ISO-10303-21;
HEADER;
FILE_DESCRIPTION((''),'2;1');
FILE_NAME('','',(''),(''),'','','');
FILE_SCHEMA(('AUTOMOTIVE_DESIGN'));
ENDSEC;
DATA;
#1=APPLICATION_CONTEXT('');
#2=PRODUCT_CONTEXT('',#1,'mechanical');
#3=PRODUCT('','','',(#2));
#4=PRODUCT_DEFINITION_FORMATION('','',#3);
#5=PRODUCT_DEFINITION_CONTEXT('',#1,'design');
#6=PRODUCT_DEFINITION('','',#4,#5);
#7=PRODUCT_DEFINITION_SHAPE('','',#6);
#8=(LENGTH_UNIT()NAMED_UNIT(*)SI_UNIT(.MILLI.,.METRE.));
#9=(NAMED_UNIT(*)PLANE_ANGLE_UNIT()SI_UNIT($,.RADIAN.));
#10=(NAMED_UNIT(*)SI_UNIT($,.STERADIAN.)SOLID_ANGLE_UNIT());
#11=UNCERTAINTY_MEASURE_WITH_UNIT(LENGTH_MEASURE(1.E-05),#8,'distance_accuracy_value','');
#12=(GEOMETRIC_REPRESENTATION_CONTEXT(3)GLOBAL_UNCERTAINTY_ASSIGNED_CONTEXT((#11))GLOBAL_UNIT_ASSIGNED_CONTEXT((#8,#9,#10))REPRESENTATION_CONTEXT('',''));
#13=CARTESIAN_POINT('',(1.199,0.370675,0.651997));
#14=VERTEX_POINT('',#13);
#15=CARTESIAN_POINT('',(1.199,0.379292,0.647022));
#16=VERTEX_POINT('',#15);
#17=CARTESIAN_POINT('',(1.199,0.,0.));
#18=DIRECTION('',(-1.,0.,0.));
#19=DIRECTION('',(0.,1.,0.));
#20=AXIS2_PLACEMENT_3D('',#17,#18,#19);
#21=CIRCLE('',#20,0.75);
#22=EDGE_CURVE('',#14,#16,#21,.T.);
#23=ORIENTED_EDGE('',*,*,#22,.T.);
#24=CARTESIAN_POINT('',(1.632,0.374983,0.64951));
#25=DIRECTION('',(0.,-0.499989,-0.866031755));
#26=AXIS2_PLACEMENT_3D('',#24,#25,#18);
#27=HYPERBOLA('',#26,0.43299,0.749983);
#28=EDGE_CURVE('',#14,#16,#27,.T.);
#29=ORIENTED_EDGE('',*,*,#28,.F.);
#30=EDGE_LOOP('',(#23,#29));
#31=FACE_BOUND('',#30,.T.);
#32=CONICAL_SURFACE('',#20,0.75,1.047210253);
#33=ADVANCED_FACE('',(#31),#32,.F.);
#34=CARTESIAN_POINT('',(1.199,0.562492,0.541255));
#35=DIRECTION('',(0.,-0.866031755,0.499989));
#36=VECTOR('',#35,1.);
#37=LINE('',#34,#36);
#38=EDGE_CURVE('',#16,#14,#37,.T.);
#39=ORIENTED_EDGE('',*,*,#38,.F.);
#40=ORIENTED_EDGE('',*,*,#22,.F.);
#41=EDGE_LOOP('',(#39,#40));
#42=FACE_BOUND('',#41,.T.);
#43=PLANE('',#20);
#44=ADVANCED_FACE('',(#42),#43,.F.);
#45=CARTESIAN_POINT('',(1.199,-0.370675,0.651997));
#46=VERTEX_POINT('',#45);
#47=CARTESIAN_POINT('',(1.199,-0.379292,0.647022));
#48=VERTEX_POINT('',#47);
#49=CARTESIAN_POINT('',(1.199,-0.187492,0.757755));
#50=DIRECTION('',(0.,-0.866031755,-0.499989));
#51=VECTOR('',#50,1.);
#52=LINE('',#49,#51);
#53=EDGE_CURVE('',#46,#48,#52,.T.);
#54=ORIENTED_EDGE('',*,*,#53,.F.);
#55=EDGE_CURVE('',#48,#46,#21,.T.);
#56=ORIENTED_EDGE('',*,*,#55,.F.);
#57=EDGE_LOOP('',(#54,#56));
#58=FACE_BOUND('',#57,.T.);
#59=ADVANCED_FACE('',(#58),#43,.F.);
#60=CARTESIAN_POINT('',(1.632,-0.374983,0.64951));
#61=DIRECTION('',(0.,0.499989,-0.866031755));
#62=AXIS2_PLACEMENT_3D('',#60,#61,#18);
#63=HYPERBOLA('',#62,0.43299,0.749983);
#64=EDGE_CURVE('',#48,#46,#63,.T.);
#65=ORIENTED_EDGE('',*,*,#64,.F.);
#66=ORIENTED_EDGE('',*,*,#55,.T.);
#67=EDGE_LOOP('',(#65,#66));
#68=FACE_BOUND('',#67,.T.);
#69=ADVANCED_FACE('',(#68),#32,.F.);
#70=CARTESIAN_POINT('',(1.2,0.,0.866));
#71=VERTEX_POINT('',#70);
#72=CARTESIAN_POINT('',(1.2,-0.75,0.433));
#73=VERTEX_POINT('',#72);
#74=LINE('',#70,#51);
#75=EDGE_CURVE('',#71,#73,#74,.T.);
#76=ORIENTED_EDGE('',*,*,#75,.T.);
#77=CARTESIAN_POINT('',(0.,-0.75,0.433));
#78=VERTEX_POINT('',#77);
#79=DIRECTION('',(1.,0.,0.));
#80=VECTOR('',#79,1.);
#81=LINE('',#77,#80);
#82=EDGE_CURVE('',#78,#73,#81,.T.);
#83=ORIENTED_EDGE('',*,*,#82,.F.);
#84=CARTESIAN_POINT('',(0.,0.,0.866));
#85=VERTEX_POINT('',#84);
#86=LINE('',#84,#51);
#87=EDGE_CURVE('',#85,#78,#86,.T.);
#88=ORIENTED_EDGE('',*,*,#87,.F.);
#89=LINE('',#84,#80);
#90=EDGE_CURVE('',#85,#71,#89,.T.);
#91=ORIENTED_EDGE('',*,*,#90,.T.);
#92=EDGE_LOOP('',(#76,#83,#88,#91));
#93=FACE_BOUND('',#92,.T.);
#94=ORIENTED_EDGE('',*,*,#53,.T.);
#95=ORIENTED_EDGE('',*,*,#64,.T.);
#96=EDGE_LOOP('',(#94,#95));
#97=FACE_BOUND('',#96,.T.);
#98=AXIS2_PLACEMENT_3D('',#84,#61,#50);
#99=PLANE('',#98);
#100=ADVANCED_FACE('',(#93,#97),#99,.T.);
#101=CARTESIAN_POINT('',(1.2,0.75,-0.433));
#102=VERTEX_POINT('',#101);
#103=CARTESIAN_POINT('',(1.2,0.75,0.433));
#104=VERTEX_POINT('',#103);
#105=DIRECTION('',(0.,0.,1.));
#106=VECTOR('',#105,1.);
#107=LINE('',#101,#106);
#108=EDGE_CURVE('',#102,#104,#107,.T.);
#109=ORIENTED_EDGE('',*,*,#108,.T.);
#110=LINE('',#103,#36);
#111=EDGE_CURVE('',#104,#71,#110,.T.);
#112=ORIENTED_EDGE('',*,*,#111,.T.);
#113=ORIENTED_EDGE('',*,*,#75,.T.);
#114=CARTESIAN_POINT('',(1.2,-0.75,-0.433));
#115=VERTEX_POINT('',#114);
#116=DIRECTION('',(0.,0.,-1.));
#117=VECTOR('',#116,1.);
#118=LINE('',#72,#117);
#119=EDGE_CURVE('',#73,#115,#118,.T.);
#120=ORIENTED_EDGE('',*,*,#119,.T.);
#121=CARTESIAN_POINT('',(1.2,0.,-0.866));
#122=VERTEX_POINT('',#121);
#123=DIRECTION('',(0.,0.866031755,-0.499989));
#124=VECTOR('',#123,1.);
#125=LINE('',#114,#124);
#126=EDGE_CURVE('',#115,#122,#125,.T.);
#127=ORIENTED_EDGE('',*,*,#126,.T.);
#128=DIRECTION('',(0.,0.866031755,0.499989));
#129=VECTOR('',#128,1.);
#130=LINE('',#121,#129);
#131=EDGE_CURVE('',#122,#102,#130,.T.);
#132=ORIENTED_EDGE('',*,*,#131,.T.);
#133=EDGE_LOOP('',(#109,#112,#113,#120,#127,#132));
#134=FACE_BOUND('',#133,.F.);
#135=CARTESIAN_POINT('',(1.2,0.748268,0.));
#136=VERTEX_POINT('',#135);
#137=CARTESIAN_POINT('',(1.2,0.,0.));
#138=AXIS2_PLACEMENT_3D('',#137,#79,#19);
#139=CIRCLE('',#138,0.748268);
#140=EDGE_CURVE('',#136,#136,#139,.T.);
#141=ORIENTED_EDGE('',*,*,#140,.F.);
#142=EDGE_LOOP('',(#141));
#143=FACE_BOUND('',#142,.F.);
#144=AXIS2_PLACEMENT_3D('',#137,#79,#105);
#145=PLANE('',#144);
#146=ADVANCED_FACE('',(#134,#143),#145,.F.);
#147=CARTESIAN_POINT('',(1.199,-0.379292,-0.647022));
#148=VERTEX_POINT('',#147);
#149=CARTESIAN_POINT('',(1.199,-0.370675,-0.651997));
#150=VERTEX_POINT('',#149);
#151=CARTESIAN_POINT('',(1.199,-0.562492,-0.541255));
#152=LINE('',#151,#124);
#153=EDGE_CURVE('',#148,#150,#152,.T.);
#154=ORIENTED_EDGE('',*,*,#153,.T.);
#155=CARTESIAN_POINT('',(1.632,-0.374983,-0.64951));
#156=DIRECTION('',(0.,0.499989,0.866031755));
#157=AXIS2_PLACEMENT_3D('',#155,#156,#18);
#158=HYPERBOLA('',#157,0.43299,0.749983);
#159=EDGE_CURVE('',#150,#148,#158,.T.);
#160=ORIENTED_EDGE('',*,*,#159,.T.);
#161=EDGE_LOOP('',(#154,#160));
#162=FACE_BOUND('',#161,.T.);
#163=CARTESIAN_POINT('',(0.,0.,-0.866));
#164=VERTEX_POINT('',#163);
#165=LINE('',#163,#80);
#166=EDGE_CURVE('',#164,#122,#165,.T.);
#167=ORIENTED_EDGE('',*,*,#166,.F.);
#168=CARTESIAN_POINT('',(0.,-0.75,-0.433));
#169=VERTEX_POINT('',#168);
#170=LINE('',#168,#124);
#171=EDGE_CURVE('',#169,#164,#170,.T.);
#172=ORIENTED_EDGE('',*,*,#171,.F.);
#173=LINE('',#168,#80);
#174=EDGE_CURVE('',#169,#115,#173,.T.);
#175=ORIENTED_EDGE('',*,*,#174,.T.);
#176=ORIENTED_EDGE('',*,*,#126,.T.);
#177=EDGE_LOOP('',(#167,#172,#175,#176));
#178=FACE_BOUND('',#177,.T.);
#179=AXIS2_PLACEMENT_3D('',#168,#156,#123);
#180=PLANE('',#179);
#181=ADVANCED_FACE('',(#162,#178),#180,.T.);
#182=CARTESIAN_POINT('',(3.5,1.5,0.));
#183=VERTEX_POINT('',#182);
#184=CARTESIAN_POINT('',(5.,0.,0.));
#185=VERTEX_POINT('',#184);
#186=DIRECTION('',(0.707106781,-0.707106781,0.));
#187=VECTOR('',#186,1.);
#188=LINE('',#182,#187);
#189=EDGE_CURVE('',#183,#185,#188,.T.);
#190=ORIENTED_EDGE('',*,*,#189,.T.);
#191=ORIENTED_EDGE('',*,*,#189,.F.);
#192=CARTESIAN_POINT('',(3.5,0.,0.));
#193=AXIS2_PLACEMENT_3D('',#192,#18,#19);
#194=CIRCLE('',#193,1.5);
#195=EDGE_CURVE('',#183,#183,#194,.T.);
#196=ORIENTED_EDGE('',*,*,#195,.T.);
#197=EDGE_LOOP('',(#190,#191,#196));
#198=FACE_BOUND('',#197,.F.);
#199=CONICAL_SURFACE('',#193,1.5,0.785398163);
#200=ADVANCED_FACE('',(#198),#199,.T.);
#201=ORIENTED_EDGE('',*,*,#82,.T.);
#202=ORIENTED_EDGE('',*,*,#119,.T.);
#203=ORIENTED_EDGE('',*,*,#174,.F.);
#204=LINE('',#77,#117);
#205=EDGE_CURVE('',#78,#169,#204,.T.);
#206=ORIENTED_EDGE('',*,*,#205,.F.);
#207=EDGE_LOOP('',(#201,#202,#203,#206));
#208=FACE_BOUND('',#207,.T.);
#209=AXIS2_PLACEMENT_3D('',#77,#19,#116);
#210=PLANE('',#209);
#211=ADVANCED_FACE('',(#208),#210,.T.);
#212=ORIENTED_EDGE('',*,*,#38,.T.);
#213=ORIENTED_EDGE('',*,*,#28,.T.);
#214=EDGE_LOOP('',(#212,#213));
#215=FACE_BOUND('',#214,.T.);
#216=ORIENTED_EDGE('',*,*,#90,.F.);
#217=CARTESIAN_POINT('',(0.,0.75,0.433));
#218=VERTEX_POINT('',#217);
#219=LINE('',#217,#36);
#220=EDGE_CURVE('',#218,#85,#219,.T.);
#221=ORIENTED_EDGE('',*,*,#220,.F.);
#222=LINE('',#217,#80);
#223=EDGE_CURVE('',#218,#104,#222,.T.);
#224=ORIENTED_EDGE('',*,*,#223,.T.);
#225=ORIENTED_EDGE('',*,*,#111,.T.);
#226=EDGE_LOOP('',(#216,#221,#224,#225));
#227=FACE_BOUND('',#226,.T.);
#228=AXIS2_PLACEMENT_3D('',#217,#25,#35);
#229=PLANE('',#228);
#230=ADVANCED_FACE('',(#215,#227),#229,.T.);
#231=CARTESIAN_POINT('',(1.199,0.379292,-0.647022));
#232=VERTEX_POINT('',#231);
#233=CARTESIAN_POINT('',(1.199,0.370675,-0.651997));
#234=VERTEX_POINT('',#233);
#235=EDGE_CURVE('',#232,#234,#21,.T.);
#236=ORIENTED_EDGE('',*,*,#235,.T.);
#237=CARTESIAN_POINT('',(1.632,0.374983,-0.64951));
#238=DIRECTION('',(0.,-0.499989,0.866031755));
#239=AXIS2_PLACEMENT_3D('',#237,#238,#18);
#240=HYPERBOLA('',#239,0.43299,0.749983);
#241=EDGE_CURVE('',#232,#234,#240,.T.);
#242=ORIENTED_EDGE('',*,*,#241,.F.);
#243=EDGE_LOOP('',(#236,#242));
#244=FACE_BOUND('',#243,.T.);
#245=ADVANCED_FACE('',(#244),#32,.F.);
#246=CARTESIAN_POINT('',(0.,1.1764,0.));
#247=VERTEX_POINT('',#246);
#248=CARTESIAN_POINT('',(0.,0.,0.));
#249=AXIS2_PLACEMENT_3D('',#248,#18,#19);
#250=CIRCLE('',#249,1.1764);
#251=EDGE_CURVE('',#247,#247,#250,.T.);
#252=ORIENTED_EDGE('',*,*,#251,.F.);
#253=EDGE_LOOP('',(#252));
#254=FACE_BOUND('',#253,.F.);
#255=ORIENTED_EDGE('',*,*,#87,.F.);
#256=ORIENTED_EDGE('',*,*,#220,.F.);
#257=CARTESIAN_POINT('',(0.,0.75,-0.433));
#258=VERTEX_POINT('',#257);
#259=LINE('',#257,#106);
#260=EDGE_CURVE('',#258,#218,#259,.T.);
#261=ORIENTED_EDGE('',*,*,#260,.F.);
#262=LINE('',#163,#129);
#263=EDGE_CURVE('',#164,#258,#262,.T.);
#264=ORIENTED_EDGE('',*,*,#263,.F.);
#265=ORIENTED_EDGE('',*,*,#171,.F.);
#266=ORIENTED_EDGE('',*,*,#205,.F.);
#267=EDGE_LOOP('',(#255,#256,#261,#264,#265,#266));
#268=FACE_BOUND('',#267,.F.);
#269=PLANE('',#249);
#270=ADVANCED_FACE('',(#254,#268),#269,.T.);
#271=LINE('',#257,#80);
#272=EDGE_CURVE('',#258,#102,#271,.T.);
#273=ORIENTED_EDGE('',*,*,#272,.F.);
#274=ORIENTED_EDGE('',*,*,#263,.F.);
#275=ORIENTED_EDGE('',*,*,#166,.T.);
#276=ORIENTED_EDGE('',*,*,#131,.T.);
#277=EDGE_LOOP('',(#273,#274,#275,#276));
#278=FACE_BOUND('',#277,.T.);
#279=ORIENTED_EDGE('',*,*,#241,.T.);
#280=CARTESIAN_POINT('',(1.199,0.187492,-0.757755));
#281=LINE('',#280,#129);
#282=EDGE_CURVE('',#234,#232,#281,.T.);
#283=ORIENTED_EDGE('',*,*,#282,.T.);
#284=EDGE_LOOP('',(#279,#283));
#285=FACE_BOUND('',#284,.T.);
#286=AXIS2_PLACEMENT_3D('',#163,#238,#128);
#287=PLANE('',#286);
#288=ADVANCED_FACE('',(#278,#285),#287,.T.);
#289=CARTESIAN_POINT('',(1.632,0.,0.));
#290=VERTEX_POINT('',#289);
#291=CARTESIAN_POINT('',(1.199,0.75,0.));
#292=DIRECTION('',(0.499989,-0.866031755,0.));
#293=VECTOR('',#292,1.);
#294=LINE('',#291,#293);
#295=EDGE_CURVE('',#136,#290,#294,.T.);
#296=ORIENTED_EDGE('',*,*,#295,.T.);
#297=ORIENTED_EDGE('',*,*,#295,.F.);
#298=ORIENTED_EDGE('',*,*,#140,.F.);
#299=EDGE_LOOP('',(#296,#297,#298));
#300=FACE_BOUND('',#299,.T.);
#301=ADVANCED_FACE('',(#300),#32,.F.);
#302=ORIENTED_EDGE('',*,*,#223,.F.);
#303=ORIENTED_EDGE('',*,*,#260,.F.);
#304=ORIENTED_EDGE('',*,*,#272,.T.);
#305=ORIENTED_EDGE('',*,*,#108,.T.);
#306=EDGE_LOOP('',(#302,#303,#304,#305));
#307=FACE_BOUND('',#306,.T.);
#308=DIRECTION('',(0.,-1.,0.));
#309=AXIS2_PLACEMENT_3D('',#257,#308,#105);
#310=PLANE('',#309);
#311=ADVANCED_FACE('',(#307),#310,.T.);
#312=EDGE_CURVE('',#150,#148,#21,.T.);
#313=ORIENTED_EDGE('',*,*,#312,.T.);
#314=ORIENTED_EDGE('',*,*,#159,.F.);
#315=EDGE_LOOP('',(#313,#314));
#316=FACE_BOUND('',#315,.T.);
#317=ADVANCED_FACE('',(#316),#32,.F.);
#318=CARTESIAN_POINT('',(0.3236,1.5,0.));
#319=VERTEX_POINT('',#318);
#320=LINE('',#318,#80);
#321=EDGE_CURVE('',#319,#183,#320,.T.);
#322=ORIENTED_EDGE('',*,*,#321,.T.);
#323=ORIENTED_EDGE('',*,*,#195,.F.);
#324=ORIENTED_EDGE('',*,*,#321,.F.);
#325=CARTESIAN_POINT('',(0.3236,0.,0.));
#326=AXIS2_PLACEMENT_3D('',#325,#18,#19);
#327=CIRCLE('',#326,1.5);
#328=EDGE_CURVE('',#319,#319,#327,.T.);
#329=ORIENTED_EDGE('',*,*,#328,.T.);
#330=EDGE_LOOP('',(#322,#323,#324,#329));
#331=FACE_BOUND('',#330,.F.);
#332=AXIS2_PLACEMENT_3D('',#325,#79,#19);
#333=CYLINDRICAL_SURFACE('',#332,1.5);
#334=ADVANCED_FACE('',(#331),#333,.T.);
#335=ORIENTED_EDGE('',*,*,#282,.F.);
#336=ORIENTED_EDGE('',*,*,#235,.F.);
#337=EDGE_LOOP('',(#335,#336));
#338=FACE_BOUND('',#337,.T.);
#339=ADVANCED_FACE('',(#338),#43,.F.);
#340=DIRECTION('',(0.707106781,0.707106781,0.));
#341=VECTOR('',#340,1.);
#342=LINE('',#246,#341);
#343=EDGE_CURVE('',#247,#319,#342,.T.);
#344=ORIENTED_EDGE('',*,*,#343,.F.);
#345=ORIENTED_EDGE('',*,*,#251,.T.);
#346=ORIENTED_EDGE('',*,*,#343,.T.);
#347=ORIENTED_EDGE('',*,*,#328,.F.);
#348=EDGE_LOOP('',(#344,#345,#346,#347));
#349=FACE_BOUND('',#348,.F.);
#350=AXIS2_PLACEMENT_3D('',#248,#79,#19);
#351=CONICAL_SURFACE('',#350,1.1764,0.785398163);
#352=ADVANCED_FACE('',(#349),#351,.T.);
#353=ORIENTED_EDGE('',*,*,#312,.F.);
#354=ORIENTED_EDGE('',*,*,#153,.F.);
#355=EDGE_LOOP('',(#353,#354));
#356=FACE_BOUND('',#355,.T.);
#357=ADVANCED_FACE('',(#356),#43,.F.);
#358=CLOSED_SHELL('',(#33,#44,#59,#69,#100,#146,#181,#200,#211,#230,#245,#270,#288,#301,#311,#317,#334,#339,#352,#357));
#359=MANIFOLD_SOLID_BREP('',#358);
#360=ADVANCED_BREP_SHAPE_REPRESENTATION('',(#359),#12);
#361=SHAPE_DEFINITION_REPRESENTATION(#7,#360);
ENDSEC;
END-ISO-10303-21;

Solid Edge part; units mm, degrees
sketch "Sketch1" plane through (0, 0, 0) normal (0, 0, 1) x (1, 0, 0)
  line L0 (0, 0) -> (0, 1.1764)
  line L1 (0, 1.1764) -> (0.3236, 1.5)
  line L2 (0.3236, 1.5) -> (3.5, 1.5)
  line L3 (3.5, 1.5) -> (5, 0)
  line L4 (5, 0) -> (0, 0)
revolve "RevolvedProtrusion1" add sketch "Sketch1" angle 360 about axis through (5, 0, 0) along (-1, 0, 0)
cosmetic_thread "Thread1" size "M3"
sketch "Sketch2" plane through (0, 0, 0) normal (1, 0, 0) x (0, 1, 0)
  line L0 (0, 0.866) -> (-0.75, 0.433)
  line L1 (-0.75, 0.433) -> (-0.75, -0.433)
  line L2 (-0.75, -0.433) -> (0, -0.866)
  line L3 (0, -0.866) -> (0.75, -0.433)
  line L4 (0.75, -0.433) -> (0.75, 0.433)
  line L5 (0.75, 0.433) -> (0, 0.866)
extrude "Cutout1" cut sketch "Sketch2" along normal blind 1.2
sketch "Sketch3" plane through (0, 0, 0) normal (0, 0, 1) x (1, 0, 0)
  line L0 (1.199, 0) -> (1.199, 0.75)
  line L1 (1.199, 0.75) -> (1.632, 0)
  line L2 (1.632, 0) -> (1.199, 0)
revolve "RevolvedCutout1" cut sketch "Sketch3" angle 360 about axis through (1.632, 0, 0) along (-1, 0, 0)
properties part number "K0797.03X5"
